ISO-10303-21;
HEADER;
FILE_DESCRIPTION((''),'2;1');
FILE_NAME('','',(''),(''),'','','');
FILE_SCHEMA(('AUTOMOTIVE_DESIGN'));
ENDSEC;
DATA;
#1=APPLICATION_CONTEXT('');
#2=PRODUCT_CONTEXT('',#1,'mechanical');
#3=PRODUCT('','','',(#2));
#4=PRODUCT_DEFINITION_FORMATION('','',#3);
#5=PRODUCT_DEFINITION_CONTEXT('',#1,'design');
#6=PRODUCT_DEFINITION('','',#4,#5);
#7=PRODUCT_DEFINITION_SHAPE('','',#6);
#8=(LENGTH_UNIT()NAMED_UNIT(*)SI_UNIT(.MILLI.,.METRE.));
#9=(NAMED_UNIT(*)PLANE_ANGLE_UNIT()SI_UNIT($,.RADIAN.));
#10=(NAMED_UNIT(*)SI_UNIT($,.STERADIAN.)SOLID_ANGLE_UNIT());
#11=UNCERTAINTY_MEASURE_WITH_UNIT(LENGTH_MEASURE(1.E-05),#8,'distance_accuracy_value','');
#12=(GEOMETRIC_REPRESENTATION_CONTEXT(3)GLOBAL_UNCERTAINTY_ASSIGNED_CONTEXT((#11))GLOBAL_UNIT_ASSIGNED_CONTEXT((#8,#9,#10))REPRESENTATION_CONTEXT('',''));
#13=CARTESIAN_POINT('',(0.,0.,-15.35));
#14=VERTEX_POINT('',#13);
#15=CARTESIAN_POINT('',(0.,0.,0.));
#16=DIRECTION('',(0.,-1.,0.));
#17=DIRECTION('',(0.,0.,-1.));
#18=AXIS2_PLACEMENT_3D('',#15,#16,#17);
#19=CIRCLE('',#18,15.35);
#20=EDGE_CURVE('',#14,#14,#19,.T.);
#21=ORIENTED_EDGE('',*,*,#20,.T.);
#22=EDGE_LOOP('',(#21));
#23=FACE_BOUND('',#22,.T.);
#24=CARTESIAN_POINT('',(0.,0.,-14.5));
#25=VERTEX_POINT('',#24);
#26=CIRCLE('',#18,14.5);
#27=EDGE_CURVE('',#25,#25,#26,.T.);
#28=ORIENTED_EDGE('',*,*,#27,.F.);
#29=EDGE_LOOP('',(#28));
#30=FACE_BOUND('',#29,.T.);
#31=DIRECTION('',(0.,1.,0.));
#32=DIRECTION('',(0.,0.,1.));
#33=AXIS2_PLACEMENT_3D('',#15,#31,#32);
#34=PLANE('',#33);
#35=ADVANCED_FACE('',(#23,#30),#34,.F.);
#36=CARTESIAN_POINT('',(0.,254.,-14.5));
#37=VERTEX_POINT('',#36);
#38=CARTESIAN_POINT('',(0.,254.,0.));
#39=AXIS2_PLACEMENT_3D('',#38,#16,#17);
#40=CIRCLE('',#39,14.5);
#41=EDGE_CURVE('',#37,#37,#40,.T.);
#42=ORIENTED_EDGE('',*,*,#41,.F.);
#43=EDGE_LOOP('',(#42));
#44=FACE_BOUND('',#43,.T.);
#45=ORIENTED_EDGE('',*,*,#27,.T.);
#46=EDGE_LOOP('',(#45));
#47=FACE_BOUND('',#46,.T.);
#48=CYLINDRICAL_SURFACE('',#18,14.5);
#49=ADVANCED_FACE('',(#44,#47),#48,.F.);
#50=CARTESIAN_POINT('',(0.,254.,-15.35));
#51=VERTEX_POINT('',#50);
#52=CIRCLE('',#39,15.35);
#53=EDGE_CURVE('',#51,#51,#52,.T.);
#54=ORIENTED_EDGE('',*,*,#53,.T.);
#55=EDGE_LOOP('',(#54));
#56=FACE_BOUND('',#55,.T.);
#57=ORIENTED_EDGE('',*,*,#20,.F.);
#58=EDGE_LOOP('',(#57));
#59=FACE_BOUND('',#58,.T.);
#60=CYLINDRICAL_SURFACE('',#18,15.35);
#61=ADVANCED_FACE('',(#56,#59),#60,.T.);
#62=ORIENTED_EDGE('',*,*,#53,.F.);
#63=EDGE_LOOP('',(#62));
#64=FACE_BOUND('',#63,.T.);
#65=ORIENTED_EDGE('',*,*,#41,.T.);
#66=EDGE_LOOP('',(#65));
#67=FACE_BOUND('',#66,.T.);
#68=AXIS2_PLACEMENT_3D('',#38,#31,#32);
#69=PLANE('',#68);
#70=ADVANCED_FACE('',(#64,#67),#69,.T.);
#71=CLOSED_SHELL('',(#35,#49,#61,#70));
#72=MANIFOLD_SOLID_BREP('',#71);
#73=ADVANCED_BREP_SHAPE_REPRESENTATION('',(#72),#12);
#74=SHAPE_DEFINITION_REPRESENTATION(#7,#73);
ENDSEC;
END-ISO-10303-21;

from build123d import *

# Parameters (mm, degrees)
SKETCH1_ONE_SIDE_W = 0.85
SKETCH1_ONE_SIDE_H = 254


with BuildPart() as part:
    # Sketch1 one side → Revolve2 (revolve)
    with BuildSketch(Plane.XY):
        with Locations((-14.925, 127)):
            Rectangle(SKETCH1_ONE_SIDE_W, SKETCH1_ONE_SIDE_H)
    revolve(axis=Axis((0, 0, 0), (0, 1, 0)))


solid = part.part
